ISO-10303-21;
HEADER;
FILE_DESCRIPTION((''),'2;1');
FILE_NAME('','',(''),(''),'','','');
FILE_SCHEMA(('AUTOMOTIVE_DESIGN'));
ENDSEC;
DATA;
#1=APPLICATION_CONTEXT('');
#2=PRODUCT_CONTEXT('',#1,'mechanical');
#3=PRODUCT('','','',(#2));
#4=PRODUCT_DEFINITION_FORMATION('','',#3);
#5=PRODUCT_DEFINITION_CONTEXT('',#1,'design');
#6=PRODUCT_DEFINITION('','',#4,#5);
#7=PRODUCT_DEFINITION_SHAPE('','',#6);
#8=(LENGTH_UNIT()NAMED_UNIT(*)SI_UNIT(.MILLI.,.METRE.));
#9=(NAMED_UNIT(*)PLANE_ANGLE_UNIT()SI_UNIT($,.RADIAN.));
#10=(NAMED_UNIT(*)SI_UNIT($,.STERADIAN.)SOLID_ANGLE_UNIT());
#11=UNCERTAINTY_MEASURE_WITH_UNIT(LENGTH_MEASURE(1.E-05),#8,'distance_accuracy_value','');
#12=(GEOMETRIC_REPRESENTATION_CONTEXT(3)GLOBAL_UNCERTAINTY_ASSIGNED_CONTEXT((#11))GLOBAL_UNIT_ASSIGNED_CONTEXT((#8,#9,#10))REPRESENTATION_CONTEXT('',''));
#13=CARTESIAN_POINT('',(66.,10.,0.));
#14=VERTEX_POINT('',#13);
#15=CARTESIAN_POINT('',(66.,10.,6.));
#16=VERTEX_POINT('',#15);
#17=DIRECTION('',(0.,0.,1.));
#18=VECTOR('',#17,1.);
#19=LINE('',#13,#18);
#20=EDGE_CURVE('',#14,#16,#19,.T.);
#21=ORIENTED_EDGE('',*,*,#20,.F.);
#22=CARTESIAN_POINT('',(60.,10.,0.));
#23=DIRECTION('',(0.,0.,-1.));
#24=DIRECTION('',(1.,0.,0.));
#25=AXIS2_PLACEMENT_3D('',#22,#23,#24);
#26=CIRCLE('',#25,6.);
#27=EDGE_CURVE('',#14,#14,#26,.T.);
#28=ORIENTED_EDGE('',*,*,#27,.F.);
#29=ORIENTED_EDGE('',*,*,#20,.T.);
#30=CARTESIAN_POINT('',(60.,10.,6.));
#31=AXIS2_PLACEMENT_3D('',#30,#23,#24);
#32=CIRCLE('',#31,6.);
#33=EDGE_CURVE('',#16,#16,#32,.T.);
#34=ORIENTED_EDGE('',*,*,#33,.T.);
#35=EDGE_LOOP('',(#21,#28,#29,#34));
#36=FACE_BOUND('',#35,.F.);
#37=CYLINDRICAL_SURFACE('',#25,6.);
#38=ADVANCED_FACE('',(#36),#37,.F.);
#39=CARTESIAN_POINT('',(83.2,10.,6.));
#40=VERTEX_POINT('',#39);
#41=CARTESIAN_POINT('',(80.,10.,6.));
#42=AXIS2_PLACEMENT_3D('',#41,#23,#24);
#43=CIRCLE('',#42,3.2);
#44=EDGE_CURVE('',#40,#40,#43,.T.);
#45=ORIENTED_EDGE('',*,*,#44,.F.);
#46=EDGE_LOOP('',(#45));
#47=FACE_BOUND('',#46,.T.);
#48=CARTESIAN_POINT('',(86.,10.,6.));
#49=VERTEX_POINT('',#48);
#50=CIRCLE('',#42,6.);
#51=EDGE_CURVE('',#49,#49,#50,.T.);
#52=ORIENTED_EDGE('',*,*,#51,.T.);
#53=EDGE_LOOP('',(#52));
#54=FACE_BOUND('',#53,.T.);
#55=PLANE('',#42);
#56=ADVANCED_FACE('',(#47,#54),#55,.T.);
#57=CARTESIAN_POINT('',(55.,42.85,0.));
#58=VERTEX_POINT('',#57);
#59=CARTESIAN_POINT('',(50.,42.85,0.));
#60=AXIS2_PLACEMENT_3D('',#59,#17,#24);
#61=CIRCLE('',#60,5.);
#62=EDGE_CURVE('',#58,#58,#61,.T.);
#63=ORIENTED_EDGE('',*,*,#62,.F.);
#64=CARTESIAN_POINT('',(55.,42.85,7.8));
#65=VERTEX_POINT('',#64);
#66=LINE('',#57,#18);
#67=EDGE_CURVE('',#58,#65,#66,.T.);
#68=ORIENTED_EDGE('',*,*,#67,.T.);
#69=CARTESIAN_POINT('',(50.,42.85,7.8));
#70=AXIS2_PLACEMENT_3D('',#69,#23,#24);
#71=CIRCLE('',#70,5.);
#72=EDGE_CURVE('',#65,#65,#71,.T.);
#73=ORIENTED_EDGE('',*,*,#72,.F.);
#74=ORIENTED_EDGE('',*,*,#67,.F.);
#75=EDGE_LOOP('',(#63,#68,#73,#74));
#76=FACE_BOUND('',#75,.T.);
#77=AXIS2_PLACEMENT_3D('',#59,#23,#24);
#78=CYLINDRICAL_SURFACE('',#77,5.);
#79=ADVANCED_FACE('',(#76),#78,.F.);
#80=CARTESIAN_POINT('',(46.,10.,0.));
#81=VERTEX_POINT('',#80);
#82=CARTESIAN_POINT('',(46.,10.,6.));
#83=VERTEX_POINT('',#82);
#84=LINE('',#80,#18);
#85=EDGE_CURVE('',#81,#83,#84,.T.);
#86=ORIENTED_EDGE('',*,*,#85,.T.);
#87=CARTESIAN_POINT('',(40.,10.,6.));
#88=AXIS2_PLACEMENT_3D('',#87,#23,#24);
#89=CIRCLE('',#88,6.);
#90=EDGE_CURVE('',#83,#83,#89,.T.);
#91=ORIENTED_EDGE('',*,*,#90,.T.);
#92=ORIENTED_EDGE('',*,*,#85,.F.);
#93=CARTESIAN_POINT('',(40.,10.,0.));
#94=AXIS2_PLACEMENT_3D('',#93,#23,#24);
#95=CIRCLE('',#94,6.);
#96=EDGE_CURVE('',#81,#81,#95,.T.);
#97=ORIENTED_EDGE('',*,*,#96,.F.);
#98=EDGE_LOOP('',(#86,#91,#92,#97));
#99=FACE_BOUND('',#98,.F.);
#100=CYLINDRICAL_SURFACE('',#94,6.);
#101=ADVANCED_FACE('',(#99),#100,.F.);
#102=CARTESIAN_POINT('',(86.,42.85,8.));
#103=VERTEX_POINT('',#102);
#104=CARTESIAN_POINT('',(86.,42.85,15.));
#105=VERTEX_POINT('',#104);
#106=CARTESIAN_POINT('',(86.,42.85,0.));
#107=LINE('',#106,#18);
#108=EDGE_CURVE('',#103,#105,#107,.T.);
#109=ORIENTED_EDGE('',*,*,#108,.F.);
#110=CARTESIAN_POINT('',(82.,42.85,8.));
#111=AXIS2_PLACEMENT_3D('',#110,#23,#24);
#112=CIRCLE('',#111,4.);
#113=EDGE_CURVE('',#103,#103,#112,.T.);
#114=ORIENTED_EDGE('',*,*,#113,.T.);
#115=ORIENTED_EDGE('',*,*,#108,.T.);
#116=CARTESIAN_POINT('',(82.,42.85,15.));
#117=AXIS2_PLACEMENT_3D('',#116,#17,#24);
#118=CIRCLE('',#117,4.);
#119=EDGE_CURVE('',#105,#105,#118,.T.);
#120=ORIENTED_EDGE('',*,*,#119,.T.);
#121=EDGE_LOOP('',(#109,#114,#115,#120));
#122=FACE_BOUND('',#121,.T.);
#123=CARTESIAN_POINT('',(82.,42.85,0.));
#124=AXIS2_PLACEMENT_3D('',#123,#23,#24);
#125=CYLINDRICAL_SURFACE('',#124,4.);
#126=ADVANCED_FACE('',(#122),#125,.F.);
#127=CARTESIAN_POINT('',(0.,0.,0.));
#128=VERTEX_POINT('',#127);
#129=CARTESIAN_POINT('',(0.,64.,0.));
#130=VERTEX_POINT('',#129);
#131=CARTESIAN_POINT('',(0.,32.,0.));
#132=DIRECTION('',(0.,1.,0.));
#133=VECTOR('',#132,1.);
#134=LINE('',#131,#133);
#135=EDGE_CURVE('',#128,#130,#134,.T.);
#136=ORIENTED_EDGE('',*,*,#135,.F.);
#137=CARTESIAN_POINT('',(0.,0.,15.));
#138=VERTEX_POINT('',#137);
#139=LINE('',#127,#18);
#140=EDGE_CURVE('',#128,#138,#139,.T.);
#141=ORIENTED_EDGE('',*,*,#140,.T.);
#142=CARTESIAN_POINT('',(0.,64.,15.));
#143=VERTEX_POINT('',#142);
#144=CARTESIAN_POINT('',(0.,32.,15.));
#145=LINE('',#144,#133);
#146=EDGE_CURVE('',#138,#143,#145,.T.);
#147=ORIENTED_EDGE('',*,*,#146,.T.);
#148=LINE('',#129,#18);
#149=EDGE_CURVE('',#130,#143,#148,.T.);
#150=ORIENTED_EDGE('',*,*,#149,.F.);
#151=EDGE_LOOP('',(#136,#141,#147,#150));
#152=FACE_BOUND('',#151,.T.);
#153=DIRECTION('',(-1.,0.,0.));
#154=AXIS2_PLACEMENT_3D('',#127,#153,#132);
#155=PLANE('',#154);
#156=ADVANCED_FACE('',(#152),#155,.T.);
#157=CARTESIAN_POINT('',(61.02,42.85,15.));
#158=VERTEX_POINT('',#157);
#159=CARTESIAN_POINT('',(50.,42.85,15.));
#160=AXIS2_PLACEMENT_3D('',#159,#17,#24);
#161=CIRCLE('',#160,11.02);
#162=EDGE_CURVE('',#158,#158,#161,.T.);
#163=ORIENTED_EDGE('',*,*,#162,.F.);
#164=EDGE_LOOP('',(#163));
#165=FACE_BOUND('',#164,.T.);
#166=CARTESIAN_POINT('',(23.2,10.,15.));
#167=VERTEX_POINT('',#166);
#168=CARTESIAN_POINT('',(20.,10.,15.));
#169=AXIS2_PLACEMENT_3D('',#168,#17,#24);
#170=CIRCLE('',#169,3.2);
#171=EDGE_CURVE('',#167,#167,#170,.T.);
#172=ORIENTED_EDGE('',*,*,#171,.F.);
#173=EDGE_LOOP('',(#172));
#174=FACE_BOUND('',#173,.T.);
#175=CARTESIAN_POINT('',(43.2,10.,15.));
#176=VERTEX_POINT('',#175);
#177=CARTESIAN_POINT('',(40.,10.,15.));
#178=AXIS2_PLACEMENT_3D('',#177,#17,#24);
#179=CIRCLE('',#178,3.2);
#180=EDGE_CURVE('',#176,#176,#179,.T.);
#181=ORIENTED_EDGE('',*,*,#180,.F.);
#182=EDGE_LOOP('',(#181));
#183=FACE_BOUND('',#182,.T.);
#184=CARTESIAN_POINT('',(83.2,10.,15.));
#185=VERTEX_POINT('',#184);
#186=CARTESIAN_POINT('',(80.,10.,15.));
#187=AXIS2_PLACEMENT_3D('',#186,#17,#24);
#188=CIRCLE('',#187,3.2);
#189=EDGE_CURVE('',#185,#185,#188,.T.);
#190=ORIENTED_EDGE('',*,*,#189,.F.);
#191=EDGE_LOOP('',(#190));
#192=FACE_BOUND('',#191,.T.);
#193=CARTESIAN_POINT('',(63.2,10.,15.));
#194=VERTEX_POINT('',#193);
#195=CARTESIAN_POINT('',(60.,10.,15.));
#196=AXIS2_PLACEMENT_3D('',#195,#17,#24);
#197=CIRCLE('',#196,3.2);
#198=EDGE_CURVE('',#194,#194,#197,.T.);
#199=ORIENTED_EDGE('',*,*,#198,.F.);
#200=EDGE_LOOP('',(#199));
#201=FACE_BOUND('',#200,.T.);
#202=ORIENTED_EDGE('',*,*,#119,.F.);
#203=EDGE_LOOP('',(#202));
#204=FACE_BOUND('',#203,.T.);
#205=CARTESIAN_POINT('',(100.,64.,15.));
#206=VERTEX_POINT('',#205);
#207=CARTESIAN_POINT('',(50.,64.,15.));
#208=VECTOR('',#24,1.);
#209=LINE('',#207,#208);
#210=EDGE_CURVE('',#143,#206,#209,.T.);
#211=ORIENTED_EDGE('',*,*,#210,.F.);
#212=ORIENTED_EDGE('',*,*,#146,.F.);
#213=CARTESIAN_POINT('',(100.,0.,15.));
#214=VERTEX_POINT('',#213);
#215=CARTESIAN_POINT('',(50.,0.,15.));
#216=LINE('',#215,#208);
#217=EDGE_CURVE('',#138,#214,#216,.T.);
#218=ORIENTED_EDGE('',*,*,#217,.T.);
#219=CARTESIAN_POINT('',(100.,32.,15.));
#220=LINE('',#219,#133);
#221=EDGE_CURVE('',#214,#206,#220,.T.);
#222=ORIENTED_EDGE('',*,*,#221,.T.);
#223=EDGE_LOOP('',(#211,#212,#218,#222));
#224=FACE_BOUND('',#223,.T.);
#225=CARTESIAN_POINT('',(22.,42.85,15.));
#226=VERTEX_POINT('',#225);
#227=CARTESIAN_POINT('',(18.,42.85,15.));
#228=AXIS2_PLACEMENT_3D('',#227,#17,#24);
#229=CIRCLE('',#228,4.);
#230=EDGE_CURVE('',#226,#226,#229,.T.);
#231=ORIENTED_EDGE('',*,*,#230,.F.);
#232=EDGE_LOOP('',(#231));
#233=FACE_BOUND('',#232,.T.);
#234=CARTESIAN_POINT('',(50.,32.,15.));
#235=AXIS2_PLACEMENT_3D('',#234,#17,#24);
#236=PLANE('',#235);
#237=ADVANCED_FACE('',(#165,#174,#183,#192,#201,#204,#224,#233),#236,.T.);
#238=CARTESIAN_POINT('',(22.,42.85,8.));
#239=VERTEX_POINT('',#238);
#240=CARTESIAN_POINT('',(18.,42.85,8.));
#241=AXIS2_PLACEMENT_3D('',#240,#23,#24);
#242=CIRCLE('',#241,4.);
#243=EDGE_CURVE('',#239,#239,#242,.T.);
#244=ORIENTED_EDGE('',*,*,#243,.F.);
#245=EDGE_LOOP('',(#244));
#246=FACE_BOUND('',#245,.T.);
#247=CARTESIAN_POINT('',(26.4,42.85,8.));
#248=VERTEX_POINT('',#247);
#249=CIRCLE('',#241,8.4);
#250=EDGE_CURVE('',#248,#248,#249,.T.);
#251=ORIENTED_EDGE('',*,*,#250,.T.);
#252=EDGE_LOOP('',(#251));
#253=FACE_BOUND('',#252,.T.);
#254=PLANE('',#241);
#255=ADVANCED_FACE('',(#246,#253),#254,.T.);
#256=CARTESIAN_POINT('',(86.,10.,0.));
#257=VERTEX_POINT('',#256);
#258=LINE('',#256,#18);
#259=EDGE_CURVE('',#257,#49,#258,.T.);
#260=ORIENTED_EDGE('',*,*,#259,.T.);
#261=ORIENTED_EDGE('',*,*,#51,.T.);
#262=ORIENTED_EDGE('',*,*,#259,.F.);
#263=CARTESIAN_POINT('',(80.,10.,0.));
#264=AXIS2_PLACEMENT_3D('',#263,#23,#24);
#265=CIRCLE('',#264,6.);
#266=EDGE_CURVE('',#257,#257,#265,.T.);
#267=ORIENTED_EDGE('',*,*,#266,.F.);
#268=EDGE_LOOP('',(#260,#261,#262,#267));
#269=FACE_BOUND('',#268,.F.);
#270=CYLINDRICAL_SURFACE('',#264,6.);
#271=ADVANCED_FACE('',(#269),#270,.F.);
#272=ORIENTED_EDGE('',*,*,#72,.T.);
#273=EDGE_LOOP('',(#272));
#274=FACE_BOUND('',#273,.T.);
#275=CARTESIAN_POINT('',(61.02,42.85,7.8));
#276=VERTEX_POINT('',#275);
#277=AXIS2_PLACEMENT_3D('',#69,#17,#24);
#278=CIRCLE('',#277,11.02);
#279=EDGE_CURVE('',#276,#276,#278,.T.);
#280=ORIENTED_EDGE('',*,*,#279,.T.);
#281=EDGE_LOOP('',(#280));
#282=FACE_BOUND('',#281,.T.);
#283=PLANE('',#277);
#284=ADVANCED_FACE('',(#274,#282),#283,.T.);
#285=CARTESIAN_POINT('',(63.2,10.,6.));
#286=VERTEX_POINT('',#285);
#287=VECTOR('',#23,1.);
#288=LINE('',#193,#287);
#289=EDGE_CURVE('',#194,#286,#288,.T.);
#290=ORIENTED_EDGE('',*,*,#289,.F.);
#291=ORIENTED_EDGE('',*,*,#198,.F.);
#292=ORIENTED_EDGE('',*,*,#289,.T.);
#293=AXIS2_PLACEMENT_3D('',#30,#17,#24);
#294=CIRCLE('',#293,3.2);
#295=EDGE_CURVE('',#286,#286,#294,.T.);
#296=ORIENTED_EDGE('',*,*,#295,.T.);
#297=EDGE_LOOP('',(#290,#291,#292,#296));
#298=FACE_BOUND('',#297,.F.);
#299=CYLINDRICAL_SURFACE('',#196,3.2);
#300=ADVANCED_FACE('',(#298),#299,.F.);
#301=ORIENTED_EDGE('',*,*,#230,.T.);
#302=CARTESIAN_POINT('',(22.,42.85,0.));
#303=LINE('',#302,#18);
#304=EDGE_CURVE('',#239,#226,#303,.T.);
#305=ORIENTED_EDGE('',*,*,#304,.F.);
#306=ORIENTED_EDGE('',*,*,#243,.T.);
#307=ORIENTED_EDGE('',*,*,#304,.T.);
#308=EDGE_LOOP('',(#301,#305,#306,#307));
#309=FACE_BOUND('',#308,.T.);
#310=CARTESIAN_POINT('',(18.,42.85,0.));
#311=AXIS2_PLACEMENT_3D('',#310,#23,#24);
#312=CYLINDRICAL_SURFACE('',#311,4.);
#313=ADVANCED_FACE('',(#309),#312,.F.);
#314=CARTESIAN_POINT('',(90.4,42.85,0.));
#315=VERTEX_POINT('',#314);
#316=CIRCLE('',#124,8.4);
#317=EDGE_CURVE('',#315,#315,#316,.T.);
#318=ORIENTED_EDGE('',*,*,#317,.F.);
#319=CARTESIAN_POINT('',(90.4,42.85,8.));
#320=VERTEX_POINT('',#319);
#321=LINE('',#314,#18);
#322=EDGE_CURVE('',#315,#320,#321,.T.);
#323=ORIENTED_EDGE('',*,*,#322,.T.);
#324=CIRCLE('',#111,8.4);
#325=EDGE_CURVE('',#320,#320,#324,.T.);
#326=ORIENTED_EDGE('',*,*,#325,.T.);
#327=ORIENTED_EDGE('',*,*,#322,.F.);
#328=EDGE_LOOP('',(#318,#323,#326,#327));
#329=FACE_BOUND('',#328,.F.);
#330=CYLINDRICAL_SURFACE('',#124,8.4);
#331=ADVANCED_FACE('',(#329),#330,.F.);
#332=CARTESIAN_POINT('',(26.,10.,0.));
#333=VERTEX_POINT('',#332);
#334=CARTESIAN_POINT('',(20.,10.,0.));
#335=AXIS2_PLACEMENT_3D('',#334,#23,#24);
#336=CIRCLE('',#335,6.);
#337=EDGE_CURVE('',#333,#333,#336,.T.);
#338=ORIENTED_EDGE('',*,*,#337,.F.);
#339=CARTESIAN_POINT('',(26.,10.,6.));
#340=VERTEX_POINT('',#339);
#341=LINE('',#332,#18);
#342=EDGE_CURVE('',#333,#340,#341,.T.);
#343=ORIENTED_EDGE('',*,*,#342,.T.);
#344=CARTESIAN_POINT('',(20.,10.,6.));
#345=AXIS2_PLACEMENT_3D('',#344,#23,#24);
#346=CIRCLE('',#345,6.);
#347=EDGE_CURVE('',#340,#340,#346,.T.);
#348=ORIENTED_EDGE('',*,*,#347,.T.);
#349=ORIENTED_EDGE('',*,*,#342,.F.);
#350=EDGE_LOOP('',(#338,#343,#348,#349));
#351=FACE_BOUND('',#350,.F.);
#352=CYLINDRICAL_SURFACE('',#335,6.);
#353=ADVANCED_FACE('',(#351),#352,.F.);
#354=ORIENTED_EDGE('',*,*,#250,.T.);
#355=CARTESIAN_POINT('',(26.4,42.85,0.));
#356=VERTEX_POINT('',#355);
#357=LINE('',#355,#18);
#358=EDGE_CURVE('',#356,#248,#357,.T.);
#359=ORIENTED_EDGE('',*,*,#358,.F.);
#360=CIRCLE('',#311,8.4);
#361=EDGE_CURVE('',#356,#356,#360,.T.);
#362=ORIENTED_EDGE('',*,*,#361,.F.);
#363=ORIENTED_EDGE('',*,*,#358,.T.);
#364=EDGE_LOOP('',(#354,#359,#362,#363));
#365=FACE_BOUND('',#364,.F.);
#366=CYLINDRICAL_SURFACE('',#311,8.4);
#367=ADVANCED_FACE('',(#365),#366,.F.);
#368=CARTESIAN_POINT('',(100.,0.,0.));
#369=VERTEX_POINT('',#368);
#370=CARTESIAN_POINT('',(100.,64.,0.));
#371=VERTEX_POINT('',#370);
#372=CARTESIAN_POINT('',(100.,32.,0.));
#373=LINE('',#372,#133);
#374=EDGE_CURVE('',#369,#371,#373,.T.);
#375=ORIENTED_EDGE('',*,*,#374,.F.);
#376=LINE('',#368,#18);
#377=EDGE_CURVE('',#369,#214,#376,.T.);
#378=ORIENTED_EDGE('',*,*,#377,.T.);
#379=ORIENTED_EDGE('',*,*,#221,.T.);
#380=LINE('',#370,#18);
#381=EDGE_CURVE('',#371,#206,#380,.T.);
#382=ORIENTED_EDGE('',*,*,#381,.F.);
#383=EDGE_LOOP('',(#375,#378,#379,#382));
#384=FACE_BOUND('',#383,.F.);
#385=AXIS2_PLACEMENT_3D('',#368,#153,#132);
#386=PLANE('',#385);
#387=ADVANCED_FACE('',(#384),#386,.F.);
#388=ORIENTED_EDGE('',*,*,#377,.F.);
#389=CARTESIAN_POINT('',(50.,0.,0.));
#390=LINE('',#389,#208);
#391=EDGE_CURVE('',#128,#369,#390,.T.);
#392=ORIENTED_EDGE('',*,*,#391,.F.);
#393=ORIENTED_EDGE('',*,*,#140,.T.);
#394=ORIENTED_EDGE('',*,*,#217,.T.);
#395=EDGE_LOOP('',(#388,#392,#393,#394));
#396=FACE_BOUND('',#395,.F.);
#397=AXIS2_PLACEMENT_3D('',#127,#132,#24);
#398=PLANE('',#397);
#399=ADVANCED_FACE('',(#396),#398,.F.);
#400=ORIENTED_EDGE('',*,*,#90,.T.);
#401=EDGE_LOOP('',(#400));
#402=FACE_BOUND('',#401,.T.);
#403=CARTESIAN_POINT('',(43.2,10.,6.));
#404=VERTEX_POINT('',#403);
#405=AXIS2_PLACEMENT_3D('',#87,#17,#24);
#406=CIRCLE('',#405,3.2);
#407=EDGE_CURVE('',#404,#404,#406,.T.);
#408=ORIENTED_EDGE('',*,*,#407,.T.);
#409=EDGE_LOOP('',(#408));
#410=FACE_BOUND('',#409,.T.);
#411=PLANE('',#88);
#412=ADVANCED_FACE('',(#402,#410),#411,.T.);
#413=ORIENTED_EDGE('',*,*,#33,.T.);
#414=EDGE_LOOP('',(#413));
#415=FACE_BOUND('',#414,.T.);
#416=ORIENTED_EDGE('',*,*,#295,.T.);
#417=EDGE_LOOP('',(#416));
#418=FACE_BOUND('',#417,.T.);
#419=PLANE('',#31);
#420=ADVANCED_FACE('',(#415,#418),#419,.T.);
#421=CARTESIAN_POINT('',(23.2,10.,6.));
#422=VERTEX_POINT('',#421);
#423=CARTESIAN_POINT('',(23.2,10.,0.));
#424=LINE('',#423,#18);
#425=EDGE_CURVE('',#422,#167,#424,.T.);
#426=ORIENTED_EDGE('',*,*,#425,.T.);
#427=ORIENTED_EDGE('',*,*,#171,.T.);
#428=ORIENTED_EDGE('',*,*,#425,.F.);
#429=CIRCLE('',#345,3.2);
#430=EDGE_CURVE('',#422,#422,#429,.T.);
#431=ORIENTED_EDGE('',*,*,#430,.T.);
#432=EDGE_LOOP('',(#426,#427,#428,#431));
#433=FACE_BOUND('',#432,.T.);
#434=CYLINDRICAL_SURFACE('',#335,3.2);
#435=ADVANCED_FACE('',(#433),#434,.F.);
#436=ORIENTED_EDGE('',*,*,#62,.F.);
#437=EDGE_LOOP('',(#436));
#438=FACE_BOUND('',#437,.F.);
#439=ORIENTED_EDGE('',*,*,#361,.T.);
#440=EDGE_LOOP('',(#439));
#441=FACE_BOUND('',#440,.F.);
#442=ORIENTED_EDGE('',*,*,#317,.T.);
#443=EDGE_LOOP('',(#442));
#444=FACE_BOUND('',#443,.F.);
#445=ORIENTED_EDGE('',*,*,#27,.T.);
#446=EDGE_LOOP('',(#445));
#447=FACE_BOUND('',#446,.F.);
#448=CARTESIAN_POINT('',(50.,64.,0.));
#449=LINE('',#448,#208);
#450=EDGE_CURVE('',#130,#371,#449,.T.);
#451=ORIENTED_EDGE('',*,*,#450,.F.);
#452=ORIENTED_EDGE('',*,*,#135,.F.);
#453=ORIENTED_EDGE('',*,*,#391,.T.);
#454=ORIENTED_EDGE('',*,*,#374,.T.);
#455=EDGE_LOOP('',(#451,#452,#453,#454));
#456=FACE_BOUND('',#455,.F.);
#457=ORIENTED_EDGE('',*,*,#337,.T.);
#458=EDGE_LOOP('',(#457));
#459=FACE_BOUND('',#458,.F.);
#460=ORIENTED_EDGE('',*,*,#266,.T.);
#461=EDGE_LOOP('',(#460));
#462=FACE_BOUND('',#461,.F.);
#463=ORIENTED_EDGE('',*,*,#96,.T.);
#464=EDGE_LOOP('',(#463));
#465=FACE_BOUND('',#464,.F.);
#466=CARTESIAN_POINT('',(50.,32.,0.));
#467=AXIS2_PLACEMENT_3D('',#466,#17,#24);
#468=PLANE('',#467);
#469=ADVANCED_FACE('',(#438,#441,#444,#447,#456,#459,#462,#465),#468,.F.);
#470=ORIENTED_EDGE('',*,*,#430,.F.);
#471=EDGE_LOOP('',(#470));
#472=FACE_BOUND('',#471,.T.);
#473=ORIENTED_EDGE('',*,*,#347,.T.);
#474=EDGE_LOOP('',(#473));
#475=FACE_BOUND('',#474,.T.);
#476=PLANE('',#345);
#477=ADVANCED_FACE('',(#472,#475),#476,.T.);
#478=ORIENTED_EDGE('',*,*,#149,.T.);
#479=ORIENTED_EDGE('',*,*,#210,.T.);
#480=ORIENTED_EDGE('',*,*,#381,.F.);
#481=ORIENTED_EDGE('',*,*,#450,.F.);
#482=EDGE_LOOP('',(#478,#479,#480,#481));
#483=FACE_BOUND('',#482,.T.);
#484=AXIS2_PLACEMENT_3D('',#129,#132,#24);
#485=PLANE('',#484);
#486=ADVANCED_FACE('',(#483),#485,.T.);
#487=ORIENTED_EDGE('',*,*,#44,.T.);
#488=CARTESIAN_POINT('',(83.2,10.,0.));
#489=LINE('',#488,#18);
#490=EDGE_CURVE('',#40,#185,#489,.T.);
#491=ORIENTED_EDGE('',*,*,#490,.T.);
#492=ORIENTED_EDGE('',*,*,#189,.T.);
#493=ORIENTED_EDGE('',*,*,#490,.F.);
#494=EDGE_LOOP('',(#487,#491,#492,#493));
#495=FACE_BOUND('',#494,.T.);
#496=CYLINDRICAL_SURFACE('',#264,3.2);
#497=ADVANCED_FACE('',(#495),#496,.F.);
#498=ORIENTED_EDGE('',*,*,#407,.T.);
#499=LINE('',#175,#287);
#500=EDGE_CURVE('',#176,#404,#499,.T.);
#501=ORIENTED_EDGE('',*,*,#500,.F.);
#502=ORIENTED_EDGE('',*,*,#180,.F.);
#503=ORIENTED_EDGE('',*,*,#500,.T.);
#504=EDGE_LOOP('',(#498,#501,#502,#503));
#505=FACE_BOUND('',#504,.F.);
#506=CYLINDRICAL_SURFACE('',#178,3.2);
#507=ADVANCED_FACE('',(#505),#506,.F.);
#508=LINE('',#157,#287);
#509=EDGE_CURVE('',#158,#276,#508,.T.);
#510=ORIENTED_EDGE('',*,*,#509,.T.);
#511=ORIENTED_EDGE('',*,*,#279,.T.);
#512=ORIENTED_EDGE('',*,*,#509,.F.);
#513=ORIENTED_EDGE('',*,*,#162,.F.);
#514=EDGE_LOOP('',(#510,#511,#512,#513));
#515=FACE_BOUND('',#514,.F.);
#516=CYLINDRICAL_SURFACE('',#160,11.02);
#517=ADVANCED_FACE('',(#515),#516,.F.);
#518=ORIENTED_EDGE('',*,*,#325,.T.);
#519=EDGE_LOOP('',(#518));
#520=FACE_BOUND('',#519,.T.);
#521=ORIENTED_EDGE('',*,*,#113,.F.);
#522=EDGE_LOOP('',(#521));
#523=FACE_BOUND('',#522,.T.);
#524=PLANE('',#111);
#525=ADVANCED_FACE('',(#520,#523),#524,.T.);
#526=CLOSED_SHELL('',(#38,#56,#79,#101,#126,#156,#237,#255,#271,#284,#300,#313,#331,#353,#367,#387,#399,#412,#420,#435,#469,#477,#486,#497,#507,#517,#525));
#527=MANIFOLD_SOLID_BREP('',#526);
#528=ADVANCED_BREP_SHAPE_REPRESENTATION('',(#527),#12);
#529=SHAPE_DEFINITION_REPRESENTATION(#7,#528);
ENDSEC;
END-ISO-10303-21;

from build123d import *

# Parameters (mm, degrees)
SKETCH_W        = 100
SKETCH_H        = 64
SKETCH_R        = 5
SKETCH_R_2      = 3.2
SKETCH_R_3      = 4
PAD_DEPTH       = 15
SKETCH001_R     = 11.02
POCKET_DEPTH    = 7.2
SKETCH002_R     = 6
POCKET001_DEPTH = 6
SKETCH003_R     = 3.2
POCKET002_DEPTH = 15
SKETCH004_R     = 8.4
POCKET003_DEPTH = 8


with BuildPart() as part:
    # Sketch → Pad (new body)
    with BuildSketch(Plane.XY):
        with Locations((50, 32)):
            Rectangle(SKETCH_W, SKETCH_H)
        with Locations((50, 42.85)):
            Circle(SKETCH_R, mode=Mode.SUBTRACT)
        with Locations((20, 10)):
            Circle(SKETCH_R_2, mode=Mode.SUBTRACT)
        with Locations((80, 10)):
            Circle(SKETCH_R_2, mode=Mode.SUBTRACT)
        with Locations((82, 42.85)):
            Circle(SKETCH_R_3, mode=Mode.SUBTRACT)
        with Locations((18, 42.85)):
            Circle(SKETCH_R_3, mode=Mode.SUBTRACT)
    extrude(amount=PAD_DEPTH)

    # Sketch001 (on Face11 of Pad) → Pocket (cut)
    with BuildSketch(Plane.XY.offset(15)):
        with Locations((50, 42.85)):
            Circle(SKETCH001_R)
    extrude(amount=-POCKET_DEPTH, mode=Mode.SUBTRACT)

    # Sketch002 (on Face4 of Pocket) → Pocket001 (cut)
    with BuildSketch(Plane(origin=(0, 0, 0), x_dir=(1, 0, 0), z_dir=(0, 0, -1))):
        with Locations((20, -10)):
            Circle(SKETCH002_R)
        with Locations((80, -10)):
            Circle(SKETCH002_R)
        with Locations((40, -10)):
            Circle(SKETCH002_R)
        with Locations((60, -10)):
            Circle(SKETCH002_R)
    extrude(amount=-POCKET001_DEPTH, mode=Mode.SUBTRACT)

    # Sketch003 (on Face5 of Pocket001) → Pocket002 (cut)
    with BuildSketch(Plane.XY.offset(15)):
        with Locations((40, 10)):
            Circle(SKETCH003_R)
        with Locations((60, 10)):
            Circle(SKETCH003_R)
    extrude(amount=-POCKET002_DEPTH, mode=Mode.SUBTRACT)

    # Sketch004 (on Face4 of Pocket002) → Pocket003 (cut)
    with BuildSketch(Plane(origin=(0, 0, 0), x_dir=(1, 0, 0), z_dir=(0, 0, -1))):
        with Locations((18, -42.85)):
            Circle(SKETCH004_R)
        with Locations((82, -42.85)):
            Circle(SKETCH004_R)
    extrude(amount=-POCKET003_DEPTH, mode=Mode.SUBTRACT)


solid = part.part
